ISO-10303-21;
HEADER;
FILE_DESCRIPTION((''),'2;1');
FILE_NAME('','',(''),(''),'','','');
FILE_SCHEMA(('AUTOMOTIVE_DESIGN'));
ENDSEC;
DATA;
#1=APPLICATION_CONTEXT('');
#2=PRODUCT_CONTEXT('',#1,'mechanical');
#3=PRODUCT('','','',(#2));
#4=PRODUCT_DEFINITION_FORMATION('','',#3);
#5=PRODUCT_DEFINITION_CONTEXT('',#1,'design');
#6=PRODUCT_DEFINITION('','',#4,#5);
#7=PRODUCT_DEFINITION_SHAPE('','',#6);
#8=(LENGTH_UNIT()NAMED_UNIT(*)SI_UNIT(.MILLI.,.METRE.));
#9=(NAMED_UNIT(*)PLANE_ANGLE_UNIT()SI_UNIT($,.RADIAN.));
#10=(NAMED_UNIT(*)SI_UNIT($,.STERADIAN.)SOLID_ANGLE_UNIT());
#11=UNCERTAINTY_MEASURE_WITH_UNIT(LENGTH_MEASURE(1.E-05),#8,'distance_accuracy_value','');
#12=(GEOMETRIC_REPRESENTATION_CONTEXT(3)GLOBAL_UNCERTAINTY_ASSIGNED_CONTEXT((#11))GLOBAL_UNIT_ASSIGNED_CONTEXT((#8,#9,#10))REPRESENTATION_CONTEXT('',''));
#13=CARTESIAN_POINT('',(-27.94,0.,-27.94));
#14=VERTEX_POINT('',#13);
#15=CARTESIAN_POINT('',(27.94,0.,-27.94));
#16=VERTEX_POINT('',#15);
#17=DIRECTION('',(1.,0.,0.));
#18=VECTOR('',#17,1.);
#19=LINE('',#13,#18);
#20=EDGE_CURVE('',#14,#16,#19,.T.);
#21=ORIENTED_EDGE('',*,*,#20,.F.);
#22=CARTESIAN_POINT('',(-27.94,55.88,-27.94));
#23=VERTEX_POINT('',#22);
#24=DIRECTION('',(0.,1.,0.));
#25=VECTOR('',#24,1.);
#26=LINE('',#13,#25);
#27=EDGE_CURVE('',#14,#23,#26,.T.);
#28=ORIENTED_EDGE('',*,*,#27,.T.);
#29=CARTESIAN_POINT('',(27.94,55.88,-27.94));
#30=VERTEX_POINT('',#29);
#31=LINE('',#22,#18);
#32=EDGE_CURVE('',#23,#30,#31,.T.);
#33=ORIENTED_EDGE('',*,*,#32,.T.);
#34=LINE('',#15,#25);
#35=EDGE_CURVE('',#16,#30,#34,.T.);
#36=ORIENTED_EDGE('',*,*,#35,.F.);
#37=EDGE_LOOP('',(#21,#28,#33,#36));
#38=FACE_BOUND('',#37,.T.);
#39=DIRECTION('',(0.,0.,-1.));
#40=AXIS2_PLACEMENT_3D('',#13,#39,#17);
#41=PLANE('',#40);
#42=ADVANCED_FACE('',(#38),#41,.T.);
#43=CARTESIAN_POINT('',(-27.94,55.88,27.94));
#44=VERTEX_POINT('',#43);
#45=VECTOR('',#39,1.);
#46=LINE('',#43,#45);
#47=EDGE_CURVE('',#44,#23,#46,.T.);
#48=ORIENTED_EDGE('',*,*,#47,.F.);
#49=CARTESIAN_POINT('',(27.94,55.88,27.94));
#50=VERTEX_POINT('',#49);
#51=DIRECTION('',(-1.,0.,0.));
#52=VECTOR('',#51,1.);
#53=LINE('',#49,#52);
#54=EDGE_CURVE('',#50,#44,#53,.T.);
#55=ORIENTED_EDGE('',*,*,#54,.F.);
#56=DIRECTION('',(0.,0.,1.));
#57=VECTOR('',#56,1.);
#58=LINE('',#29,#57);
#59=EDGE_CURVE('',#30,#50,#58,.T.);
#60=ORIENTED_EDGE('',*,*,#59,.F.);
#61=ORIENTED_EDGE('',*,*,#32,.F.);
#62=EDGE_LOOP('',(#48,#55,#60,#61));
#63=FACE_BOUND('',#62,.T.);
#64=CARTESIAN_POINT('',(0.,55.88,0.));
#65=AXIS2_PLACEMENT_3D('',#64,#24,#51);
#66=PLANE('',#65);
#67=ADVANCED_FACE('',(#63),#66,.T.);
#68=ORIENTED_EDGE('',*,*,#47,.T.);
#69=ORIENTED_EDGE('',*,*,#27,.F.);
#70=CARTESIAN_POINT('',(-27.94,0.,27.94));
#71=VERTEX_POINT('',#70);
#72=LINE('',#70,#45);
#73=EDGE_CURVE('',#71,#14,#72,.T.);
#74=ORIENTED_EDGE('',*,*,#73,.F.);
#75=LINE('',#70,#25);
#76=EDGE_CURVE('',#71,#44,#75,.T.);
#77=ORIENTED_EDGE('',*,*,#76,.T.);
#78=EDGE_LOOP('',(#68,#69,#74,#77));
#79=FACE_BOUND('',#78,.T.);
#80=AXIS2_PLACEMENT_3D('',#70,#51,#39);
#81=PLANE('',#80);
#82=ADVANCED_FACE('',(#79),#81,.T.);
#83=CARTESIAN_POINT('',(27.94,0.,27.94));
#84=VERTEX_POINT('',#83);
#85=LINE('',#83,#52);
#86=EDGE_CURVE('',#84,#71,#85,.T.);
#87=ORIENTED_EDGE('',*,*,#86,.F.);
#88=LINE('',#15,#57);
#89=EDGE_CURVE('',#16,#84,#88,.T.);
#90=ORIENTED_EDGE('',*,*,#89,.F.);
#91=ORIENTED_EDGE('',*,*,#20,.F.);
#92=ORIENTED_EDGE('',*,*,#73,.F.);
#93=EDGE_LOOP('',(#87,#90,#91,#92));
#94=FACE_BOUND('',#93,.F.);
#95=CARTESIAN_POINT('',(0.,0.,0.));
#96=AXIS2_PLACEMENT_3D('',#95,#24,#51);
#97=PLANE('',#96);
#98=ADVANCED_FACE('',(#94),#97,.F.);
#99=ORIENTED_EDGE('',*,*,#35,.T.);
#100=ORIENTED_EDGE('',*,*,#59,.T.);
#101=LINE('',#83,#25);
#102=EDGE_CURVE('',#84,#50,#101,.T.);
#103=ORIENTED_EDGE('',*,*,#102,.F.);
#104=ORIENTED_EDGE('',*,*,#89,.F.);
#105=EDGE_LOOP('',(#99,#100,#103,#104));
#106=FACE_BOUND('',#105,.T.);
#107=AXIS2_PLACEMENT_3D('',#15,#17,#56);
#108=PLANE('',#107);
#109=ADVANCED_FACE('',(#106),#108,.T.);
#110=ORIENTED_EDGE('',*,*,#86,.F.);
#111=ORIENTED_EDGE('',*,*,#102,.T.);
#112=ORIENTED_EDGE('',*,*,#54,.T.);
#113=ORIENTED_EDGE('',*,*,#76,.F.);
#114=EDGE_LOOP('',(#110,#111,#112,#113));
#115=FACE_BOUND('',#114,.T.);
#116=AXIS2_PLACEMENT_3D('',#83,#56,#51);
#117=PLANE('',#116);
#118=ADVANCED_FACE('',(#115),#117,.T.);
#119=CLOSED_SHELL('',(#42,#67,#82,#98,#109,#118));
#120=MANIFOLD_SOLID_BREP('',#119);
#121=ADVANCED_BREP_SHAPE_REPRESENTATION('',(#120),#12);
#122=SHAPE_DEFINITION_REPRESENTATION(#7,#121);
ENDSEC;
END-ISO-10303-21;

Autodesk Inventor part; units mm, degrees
ref_plane "YZ Plane" through (0, 0, 0) normal (1, 0, 0) x (0, 1, 0)
ref_plane "XZ Plane" through (0, 0, 0) normal (0, 1, 0) x (-1, 0, 0)
ref_plane "XY Plane" through (0, 0, 0) normal (0, 0, 1) x (1, 0, 0)
sketch "Sketch1" plane through (0, 0, 0) normal (0, 1, 0) x (-1, 0, 0)
  line L0 (-27.94, 27.94) -> (27.94, 27.94)
  line L1 (27.94, 27.94) -> (27.94, -27.94)
  line L2 (27.94, -27.94) -> (-27.94, -27.94)
  line L3 (-27.94, -27.94) -> (-27.94, 27.94)
  line L4 (-27.94, 27.94) -> (27.94, -27.94) construction
  line L5 (27.94, 27.94) -> (-27.94, -27.94) construction
  point P0 (0, 0)
  dimension "d0" = 55.88
  dimension "d1" = 55.88
extrude "Extrusion1" add sketch "Sketch1" along normal blind 55.88
ref_plane "Work Plane1" through (0, 0, 27.94) normal (1, 0, 0) x (0, 0, -1)
ref_plane "Work Plane2" through (-27.94, 0, 0) normal (0, 0, 1) x (1, 0, 0)
ref_plane "Work Plane3" through (0, 27.94, 0) normal (0, 1, 0) x (1, 0, 0)
properties part number "Rubik's Cube"
